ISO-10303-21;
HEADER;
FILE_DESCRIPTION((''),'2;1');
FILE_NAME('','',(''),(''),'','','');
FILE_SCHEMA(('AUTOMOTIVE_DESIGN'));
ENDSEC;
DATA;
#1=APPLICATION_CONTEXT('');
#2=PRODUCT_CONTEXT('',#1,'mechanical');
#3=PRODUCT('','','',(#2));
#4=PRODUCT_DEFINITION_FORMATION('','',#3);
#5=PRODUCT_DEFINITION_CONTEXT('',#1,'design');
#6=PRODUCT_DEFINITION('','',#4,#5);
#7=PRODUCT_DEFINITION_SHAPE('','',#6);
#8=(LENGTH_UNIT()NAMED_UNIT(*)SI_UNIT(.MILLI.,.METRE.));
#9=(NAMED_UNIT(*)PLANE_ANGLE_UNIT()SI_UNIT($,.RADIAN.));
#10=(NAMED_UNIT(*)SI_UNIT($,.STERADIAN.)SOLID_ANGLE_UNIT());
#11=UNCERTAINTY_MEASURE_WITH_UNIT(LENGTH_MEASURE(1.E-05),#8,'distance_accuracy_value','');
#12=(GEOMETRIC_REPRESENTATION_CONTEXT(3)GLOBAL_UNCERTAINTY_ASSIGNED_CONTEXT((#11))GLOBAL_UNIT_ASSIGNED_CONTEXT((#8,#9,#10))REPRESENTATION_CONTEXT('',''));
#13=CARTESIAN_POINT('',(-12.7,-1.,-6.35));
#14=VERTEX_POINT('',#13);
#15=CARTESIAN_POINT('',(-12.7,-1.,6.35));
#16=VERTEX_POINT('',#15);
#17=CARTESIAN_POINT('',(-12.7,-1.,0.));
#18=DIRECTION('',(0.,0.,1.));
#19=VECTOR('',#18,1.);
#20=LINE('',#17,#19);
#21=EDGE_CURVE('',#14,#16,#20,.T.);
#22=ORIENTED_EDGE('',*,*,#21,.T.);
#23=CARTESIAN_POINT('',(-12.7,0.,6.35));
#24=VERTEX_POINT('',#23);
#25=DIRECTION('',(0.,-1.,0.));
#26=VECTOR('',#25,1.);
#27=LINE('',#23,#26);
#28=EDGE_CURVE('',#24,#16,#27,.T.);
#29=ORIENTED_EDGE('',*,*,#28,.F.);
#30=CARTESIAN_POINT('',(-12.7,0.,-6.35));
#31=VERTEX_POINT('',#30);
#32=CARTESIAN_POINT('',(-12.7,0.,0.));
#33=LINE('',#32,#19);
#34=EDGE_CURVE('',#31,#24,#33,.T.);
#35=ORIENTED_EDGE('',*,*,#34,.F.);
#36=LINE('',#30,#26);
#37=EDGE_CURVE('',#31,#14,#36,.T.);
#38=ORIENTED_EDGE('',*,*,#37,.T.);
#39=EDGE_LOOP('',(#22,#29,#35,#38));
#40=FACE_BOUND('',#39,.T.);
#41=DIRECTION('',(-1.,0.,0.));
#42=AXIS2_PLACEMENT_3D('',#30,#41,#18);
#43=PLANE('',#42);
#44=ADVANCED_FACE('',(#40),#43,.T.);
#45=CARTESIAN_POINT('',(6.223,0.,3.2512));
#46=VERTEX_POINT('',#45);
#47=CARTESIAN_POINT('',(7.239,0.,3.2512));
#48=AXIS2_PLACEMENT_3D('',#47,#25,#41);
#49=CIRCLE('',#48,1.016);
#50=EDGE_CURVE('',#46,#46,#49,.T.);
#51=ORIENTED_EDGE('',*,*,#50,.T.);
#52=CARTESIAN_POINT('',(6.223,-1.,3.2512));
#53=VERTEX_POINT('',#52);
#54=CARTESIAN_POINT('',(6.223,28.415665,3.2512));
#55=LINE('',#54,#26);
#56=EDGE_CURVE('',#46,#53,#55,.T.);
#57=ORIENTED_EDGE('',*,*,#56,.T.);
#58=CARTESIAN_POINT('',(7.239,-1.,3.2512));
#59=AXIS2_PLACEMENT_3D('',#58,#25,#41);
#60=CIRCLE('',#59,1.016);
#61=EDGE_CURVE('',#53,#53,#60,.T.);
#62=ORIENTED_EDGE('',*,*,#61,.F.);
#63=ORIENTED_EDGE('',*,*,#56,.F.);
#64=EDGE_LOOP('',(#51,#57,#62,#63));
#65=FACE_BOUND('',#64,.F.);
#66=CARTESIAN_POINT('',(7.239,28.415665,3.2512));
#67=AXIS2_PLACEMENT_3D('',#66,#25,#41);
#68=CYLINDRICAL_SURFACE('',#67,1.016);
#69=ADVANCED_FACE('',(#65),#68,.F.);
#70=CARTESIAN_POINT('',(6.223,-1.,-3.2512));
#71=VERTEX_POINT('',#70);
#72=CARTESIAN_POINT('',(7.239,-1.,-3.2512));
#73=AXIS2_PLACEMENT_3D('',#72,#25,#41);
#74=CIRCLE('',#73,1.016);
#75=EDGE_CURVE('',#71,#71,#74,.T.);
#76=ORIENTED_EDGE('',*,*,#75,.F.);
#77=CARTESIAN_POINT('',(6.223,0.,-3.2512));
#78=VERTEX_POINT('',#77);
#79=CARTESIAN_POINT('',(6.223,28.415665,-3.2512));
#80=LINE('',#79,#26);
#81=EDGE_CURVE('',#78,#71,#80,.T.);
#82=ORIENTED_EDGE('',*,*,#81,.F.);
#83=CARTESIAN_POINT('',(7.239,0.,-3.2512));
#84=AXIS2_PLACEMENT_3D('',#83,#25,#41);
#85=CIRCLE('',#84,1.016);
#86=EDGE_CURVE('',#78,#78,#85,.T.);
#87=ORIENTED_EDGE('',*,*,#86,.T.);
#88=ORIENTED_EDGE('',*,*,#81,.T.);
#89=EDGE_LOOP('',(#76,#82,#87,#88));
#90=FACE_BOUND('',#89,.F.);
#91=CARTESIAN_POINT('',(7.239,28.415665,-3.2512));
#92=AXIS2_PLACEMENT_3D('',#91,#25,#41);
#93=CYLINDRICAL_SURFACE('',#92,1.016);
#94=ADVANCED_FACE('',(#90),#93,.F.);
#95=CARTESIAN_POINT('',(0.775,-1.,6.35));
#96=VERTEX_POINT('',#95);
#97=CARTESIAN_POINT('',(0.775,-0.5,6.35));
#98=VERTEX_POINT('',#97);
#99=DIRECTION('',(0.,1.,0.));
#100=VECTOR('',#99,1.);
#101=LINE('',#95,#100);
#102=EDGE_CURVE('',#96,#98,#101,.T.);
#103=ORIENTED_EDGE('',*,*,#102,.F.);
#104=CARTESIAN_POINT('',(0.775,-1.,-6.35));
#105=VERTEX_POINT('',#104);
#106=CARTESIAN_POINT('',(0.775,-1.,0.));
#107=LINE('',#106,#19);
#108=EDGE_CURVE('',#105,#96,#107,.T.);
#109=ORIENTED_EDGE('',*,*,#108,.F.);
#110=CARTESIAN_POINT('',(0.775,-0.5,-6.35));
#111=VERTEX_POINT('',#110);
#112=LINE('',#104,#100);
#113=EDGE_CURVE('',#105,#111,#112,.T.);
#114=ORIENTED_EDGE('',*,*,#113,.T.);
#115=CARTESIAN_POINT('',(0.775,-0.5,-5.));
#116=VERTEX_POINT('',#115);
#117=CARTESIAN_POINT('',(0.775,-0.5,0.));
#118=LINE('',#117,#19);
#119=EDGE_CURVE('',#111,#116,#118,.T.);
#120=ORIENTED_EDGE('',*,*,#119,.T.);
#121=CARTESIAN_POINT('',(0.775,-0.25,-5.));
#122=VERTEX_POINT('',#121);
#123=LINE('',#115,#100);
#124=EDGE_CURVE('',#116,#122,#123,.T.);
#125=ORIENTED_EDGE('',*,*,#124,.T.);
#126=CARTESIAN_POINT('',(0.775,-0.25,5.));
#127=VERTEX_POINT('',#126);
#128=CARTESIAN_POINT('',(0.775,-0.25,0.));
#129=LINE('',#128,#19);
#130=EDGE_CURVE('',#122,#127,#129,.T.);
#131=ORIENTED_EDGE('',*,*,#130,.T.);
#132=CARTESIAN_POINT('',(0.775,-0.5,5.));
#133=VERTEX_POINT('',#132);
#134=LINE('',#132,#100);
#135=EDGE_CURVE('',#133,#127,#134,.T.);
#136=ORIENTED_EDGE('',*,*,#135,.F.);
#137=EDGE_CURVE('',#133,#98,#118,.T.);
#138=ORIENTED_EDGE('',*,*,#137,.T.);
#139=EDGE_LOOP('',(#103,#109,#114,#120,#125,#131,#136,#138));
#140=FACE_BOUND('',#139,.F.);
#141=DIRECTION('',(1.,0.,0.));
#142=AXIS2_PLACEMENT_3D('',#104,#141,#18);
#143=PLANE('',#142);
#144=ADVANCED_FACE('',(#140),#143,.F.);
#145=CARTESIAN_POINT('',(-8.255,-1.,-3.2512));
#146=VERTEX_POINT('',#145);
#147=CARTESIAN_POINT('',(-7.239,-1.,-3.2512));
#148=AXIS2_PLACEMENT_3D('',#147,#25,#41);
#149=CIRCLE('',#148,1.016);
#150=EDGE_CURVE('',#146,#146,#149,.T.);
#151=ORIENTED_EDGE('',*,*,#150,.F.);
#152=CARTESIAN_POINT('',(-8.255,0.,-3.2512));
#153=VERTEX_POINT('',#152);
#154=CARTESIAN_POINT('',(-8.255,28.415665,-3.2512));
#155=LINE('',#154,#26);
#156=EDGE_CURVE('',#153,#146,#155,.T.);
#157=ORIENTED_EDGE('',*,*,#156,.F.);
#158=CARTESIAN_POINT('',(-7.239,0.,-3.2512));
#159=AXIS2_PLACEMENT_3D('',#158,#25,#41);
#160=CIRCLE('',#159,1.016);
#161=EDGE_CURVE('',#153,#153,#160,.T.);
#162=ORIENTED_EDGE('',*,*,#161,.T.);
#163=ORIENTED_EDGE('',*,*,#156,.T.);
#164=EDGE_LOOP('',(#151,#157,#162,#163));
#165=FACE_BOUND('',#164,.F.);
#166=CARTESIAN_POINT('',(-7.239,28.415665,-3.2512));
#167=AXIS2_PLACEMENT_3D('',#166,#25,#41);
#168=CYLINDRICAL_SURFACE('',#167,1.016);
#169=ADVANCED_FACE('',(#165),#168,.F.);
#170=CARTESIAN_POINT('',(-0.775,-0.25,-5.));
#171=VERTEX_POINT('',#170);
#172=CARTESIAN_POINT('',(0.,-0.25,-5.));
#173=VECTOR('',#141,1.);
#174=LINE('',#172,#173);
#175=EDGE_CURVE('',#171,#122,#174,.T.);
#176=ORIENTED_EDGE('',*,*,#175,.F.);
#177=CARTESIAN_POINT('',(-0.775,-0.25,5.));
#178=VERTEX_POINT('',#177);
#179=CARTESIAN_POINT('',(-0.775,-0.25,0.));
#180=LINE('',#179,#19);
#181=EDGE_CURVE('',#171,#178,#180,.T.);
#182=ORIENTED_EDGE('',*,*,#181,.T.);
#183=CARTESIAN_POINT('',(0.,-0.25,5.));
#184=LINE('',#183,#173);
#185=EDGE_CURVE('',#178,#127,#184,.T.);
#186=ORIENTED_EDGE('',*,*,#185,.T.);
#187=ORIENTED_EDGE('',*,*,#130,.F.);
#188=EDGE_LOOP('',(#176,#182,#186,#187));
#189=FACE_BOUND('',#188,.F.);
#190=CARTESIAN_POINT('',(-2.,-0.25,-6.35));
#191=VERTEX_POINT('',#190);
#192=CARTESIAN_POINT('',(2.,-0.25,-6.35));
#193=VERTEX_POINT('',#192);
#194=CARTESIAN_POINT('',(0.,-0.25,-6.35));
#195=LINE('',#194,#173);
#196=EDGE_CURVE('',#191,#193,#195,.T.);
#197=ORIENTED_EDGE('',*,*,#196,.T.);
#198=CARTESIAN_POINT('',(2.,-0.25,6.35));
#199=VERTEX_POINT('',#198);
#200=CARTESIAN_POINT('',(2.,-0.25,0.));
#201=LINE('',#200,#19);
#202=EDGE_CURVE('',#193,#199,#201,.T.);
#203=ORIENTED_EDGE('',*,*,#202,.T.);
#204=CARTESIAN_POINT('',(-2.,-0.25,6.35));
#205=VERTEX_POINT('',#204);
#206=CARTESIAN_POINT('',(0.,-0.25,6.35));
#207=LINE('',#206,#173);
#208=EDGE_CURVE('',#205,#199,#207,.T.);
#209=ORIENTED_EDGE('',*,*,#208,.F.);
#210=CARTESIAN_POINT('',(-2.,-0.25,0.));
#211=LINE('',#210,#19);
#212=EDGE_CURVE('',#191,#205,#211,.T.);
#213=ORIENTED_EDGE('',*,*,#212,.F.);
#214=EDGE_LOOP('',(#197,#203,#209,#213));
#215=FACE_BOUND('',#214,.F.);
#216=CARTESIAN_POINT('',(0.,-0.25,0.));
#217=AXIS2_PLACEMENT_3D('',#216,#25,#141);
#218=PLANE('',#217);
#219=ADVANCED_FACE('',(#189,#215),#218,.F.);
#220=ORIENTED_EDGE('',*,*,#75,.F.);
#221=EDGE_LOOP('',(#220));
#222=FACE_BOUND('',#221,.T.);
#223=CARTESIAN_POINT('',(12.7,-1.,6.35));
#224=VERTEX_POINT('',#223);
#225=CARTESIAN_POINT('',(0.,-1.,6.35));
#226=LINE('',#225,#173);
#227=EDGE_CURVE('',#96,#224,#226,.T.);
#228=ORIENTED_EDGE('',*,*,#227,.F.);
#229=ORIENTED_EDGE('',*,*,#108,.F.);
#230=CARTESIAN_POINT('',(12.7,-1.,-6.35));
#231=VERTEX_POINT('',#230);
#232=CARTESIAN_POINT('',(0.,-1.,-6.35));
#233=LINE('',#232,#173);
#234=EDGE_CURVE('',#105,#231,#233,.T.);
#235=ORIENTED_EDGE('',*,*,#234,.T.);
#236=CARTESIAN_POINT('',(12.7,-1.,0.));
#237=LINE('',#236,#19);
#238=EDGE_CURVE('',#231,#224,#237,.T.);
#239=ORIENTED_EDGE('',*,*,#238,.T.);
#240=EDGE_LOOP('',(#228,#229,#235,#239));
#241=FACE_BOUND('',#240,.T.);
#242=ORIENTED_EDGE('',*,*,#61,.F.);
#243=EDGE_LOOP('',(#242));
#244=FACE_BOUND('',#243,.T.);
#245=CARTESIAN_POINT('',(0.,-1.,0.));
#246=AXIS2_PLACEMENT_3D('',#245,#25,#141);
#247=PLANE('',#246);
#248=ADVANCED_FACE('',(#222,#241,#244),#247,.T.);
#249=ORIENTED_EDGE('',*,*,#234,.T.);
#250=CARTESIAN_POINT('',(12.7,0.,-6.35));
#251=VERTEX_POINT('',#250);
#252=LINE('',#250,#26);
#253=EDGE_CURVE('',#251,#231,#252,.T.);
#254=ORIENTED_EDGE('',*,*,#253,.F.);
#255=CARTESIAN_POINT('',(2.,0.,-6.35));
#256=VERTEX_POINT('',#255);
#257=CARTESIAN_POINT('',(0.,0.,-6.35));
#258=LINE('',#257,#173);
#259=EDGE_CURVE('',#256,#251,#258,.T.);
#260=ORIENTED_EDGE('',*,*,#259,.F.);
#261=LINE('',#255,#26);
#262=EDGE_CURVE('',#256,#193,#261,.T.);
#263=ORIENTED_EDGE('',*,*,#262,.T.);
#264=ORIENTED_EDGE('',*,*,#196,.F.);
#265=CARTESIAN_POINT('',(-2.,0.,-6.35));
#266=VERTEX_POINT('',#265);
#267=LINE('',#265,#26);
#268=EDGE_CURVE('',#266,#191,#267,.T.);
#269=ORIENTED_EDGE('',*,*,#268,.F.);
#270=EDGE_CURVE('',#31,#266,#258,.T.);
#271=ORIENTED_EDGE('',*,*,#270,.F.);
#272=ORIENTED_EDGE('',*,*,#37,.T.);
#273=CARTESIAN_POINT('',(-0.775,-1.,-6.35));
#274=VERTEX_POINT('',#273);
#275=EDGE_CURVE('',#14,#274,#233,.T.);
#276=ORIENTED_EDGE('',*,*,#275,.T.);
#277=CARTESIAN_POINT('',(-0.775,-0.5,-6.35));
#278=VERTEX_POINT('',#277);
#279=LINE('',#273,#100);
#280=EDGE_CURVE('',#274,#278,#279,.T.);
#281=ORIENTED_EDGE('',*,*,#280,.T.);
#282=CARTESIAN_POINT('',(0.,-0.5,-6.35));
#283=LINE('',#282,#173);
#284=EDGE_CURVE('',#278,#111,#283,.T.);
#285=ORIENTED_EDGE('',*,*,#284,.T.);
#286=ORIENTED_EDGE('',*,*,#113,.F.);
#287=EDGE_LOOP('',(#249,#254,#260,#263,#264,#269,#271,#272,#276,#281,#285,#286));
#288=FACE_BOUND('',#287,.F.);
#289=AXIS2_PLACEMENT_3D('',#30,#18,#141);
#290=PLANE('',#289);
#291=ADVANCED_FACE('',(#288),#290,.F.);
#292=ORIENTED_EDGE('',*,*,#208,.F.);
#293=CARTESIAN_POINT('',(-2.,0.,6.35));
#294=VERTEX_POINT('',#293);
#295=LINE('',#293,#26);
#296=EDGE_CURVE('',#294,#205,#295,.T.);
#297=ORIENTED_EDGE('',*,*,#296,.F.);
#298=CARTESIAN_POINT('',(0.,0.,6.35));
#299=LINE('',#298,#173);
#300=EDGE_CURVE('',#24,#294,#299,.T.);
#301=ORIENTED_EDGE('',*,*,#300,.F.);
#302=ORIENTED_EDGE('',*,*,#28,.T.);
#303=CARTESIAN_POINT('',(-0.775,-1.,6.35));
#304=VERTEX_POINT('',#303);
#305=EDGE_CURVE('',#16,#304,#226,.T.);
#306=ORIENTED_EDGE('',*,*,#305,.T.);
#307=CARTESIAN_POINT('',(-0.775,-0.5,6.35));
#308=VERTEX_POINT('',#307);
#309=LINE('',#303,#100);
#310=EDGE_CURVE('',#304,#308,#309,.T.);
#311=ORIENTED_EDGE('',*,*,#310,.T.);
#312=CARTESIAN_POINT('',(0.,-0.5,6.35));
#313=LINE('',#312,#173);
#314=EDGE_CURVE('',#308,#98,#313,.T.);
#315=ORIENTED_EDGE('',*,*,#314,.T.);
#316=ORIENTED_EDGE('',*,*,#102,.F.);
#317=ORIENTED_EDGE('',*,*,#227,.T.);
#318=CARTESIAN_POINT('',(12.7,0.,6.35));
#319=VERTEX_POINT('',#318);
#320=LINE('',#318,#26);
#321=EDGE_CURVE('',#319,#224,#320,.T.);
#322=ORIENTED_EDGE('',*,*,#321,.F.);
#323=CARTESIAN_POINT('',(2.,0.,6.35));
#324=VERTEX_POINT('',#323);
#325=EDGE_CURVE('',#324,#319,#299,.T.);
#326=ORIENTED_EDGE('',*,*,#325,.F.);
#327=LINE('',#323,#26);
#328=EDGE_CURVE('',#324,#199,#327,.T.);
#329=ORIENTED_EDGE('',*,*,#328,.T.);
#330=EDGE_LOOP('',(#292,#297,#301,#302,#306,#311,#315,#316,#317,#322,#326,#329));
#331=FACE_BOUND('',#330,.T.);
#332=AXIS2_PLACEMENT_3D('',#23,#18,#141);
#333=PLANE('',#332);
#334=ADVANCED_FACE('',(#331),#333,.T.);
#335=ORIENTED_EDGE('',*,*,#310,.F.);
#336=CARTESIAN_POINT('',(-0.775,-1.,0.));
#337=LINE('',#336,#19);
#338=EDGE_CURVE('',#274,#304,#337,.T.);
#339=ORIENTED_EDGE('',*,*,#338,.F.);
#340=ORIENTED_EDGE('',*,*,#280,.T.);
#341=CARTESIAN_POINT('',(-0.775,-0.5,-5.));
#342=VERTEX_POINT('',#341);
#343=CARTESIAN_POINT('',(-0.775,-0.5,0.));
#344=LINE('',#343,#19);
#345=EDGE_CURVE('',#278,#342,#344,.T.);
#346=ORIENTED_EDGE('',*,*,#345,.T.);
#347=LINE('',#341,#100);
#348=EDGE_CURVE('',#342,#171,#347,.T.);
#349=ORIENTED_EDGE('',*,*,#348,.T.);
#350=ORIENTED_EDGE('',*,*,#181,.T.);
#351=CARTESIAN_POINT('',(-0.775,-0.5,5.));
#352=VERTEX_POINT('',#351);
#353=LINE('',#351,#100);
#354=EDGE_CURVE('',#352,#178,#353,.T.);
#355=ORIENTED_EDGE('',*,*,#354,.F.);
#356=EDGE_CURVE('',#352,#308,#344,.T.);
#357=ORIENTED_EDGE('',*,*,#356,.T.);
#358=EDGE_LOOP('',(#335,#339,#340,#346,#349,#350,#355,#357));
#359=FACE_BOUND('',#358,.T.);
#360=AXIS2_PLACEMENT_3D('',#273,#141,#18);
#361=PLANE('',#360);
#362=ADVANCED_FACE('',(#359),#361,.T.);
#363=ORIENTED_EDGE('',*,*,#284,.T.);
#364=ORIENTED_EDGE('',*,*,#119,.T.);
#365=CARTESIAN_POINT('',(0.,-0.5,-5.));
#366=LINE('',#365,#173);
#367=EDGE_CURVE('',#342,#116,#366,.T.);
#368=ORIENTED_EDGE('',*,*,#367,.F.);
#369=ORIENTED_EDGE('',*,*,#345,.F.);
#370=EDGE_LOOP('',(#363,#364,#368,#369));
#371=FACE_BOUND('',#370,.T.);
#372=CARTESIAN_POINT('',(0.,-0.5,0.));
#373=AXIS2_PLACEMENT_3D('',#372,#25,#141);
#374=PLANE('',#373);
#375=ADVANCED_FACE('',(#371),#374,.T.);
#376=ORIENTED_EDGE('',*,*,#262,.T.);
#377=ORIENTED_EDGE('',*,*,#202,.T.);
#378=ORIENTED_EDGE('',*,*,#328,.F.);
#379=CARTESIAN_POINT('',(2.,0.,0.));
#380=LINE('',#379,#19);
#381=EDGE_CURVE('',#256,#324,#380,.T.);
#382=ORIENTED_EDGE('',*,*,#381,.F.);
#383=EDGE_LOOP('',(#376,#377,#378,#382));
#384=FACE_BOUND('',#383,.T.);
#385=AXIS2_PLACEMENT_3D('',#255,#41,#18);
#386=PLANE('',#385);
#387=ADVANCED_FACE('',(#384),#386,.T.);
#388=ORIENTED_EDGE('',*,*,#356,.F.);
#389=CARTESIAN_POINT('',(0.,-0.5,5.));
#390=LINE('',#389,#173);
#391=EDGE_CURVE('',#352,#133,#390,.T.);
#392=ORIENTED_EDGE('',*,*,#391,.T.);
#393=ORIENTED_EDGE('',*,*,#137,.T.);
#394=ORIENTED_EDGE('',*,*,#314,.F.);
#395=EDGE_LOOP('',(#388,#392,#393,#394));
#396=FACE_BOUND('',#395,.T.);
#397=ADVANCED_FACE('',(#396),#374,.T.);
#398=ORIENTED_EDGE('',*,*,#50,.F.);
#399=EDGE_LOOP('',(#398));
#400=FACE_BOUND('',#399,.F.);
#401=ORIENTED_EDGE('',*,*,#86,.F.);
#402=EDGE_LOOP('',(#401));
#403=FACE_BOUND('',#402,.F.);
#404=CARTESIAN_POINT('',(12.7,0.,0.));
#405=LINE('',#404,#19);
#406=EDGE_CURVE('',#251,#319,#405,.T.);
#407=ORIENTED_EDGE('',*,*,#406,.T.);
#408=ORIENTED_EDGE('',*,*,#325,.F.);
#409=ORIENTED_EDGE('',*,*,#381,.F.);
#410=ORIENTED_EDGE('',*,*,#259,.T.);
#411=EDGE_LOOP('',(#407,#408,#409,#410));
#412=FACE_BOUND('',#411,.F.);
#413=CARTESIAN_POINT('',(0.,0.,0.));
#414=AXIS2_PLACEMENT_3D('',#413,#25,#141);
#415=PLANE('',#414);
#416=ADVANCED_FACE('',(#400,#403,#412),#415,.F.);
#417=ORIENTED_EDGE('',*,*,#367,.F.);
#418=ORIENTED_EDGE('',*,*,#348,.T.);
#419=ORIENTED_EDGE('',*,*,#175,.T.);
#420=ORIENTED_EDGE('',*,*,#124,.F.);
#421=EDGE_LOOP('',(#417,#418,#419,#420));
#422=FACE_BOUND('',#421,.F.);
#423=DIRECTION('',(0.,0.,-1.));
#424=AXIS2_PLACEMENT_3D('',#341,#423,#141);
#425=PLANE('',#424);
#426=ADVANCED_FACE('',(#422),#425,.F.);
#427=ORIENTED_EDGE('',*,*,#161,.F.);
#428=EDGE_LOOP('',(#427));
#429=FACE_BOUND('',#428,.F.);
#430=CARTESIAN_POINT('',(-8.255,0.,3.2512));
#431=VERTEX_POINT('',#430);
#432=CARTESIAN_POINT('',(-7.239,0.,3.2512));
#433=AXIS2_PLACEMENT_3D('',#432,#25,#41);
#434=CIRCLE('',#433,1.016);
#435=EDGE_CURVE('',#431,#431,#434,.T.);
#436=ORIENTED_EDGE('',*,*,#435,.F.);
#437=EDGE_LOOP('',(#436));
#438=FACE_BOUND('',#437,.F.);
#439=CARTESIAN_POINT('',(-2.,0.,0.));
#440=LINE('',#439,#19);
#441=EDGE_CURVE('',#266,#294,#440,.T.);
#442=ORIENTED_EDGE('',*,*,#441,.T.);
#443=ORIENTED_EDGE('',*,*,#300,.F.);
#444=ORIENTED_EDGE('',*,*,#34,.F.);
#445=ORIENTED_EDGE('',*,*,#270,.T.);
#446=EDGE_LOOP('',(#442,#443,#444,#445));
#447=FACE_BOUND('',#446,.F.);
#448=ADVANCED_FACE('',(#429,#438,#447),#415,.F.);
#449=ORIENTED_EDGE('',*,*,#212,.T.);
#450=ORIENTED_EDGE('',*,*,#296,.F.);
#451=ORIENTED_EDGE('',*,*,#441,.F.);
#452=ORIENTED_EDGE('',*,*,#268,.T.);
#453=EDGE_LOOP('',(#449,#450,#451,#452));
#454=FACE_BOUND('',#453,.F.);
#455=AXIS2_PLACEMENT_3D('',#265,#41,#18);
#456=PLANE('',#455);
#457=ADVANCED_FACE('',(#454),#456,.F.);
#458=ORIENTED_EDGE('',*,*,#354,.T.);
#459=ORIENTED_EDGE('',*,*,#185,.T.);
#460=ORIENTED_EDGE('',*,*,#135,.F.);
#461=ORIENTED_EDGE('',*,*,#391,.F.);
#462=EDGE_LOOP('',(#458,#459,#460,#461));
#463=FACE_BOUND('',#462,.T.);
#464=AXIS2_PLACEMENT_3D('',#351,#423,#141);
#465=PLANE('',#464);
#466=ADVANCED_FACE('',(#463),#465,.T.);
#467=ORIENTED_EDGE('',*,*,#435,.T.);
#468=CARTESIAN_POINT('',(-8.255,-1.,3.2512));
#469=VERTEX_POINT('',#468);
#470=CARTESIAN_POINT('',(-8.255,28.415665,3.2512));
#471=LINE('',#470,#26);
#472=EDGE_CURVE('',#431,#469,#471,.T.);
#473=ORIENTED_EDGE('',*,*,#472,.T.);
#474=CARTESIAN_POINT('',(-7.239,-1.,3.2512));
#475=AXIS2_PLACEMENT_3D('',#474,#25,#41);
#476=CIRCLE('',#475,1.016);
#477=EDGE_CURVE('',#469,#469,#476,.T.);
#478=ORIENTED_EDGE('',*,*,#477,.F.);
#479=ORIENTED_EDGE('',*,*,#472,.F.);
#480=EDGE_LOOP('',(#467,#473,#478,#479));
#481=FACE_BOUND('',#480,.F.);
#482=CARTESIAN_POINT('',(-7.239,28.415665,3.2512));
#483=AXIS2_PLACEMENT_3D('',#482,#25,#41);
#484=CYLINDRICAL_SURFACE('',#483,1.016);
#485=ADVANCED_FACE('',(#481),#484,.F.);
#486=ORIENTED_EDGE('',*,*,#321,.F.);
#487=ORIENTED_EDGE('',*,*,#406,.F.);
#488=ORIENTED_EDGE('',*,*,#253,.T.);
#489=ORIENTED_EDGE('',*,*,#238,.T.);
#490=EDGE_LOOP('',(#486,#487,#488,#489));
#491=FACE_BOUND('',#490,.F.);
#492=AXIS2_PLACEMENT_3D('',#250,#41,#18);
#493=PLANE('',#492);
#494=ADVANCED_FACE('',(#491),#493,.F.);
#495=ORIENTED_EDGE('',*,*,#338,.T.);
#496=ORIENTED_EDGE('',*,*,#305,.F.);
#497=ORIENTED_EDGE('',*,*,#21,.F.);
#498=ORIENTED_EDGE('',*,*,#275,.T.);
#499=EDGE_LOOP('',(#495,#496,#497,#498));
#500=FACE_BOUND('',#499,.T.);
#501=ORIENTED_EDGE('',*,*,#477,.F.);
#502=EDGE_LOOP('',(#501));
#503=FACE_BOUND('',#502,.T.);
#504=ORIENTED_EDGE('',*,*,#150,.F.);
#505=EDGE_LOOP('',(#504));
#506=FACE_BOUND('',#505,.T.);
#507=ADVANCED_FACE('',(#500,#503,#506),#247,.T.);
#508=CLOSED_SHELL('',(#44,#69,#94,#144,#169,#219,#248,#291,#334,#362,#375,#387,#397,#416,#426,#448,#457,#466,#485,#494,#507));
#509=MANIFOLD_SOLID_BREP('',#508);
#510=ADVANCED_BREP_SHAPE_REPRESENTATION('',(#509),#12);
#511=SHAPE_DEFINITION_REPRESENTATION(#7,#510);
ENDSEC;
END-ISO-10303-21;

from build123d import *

# Parameters (mm, degrees)
F0_W     = 25.4
F0_H     = 12.7
F1_DEPTH = 1
F3_D     = 2.032
F4_W     = 4
F4_H     = 12.7
F5_DEPTH = 0.25
F6_W     = 1.55
F6_H     = 12.7
F7_DEPTH = 0.5
F8_W     = 1.55
F8_H     = 10
F9_DEPTH = 0.25


with BuildPart() as f1:
    # F0 (on Front) → F1 (new body)
    with BuildSketch(Plane.XZ):
        Rectangle(F0_W, F0_H)
    extrude(amount=F1_DEPTH)

    # F3 (through all)
    with Locations(Plane(origin=(0, 0, 0), x_dir=(1, 0, 0), z_dir=(0, 1, 0))):
        with Locations((-7.239, 3.2512), (7.239, 3.2512), (7.239, -3.2512), (-7.239, -3.2512)):
            Hole(F3_D / 2)

    # F4 (on Front) → F5 (cut)
    with BuildSketch(Plane.XZ):
        Rectangle(F4_W, F4_H)
    extrude(amount=F5_DEPTH, mode=Mode.SUBTRACT)

    # F6 (on face) → F7 (cut)
    with BuildSketch(Plane.XZ.offset(1)):
        Rectangle(F6_W, F6_H)
    extrude(amount=-F7_DEPTH, mode=Mode.SUBTRACT)

    # F8 (on face) → F9 (cut)
    with BuildSketch(Plane.XZ.offset(0.5)):
        Rectangle(F8_W, F8_H)
    extrude(amount=-F9_DEPTH, mode=Mode.SUBTRACT)


solid = f1.part
